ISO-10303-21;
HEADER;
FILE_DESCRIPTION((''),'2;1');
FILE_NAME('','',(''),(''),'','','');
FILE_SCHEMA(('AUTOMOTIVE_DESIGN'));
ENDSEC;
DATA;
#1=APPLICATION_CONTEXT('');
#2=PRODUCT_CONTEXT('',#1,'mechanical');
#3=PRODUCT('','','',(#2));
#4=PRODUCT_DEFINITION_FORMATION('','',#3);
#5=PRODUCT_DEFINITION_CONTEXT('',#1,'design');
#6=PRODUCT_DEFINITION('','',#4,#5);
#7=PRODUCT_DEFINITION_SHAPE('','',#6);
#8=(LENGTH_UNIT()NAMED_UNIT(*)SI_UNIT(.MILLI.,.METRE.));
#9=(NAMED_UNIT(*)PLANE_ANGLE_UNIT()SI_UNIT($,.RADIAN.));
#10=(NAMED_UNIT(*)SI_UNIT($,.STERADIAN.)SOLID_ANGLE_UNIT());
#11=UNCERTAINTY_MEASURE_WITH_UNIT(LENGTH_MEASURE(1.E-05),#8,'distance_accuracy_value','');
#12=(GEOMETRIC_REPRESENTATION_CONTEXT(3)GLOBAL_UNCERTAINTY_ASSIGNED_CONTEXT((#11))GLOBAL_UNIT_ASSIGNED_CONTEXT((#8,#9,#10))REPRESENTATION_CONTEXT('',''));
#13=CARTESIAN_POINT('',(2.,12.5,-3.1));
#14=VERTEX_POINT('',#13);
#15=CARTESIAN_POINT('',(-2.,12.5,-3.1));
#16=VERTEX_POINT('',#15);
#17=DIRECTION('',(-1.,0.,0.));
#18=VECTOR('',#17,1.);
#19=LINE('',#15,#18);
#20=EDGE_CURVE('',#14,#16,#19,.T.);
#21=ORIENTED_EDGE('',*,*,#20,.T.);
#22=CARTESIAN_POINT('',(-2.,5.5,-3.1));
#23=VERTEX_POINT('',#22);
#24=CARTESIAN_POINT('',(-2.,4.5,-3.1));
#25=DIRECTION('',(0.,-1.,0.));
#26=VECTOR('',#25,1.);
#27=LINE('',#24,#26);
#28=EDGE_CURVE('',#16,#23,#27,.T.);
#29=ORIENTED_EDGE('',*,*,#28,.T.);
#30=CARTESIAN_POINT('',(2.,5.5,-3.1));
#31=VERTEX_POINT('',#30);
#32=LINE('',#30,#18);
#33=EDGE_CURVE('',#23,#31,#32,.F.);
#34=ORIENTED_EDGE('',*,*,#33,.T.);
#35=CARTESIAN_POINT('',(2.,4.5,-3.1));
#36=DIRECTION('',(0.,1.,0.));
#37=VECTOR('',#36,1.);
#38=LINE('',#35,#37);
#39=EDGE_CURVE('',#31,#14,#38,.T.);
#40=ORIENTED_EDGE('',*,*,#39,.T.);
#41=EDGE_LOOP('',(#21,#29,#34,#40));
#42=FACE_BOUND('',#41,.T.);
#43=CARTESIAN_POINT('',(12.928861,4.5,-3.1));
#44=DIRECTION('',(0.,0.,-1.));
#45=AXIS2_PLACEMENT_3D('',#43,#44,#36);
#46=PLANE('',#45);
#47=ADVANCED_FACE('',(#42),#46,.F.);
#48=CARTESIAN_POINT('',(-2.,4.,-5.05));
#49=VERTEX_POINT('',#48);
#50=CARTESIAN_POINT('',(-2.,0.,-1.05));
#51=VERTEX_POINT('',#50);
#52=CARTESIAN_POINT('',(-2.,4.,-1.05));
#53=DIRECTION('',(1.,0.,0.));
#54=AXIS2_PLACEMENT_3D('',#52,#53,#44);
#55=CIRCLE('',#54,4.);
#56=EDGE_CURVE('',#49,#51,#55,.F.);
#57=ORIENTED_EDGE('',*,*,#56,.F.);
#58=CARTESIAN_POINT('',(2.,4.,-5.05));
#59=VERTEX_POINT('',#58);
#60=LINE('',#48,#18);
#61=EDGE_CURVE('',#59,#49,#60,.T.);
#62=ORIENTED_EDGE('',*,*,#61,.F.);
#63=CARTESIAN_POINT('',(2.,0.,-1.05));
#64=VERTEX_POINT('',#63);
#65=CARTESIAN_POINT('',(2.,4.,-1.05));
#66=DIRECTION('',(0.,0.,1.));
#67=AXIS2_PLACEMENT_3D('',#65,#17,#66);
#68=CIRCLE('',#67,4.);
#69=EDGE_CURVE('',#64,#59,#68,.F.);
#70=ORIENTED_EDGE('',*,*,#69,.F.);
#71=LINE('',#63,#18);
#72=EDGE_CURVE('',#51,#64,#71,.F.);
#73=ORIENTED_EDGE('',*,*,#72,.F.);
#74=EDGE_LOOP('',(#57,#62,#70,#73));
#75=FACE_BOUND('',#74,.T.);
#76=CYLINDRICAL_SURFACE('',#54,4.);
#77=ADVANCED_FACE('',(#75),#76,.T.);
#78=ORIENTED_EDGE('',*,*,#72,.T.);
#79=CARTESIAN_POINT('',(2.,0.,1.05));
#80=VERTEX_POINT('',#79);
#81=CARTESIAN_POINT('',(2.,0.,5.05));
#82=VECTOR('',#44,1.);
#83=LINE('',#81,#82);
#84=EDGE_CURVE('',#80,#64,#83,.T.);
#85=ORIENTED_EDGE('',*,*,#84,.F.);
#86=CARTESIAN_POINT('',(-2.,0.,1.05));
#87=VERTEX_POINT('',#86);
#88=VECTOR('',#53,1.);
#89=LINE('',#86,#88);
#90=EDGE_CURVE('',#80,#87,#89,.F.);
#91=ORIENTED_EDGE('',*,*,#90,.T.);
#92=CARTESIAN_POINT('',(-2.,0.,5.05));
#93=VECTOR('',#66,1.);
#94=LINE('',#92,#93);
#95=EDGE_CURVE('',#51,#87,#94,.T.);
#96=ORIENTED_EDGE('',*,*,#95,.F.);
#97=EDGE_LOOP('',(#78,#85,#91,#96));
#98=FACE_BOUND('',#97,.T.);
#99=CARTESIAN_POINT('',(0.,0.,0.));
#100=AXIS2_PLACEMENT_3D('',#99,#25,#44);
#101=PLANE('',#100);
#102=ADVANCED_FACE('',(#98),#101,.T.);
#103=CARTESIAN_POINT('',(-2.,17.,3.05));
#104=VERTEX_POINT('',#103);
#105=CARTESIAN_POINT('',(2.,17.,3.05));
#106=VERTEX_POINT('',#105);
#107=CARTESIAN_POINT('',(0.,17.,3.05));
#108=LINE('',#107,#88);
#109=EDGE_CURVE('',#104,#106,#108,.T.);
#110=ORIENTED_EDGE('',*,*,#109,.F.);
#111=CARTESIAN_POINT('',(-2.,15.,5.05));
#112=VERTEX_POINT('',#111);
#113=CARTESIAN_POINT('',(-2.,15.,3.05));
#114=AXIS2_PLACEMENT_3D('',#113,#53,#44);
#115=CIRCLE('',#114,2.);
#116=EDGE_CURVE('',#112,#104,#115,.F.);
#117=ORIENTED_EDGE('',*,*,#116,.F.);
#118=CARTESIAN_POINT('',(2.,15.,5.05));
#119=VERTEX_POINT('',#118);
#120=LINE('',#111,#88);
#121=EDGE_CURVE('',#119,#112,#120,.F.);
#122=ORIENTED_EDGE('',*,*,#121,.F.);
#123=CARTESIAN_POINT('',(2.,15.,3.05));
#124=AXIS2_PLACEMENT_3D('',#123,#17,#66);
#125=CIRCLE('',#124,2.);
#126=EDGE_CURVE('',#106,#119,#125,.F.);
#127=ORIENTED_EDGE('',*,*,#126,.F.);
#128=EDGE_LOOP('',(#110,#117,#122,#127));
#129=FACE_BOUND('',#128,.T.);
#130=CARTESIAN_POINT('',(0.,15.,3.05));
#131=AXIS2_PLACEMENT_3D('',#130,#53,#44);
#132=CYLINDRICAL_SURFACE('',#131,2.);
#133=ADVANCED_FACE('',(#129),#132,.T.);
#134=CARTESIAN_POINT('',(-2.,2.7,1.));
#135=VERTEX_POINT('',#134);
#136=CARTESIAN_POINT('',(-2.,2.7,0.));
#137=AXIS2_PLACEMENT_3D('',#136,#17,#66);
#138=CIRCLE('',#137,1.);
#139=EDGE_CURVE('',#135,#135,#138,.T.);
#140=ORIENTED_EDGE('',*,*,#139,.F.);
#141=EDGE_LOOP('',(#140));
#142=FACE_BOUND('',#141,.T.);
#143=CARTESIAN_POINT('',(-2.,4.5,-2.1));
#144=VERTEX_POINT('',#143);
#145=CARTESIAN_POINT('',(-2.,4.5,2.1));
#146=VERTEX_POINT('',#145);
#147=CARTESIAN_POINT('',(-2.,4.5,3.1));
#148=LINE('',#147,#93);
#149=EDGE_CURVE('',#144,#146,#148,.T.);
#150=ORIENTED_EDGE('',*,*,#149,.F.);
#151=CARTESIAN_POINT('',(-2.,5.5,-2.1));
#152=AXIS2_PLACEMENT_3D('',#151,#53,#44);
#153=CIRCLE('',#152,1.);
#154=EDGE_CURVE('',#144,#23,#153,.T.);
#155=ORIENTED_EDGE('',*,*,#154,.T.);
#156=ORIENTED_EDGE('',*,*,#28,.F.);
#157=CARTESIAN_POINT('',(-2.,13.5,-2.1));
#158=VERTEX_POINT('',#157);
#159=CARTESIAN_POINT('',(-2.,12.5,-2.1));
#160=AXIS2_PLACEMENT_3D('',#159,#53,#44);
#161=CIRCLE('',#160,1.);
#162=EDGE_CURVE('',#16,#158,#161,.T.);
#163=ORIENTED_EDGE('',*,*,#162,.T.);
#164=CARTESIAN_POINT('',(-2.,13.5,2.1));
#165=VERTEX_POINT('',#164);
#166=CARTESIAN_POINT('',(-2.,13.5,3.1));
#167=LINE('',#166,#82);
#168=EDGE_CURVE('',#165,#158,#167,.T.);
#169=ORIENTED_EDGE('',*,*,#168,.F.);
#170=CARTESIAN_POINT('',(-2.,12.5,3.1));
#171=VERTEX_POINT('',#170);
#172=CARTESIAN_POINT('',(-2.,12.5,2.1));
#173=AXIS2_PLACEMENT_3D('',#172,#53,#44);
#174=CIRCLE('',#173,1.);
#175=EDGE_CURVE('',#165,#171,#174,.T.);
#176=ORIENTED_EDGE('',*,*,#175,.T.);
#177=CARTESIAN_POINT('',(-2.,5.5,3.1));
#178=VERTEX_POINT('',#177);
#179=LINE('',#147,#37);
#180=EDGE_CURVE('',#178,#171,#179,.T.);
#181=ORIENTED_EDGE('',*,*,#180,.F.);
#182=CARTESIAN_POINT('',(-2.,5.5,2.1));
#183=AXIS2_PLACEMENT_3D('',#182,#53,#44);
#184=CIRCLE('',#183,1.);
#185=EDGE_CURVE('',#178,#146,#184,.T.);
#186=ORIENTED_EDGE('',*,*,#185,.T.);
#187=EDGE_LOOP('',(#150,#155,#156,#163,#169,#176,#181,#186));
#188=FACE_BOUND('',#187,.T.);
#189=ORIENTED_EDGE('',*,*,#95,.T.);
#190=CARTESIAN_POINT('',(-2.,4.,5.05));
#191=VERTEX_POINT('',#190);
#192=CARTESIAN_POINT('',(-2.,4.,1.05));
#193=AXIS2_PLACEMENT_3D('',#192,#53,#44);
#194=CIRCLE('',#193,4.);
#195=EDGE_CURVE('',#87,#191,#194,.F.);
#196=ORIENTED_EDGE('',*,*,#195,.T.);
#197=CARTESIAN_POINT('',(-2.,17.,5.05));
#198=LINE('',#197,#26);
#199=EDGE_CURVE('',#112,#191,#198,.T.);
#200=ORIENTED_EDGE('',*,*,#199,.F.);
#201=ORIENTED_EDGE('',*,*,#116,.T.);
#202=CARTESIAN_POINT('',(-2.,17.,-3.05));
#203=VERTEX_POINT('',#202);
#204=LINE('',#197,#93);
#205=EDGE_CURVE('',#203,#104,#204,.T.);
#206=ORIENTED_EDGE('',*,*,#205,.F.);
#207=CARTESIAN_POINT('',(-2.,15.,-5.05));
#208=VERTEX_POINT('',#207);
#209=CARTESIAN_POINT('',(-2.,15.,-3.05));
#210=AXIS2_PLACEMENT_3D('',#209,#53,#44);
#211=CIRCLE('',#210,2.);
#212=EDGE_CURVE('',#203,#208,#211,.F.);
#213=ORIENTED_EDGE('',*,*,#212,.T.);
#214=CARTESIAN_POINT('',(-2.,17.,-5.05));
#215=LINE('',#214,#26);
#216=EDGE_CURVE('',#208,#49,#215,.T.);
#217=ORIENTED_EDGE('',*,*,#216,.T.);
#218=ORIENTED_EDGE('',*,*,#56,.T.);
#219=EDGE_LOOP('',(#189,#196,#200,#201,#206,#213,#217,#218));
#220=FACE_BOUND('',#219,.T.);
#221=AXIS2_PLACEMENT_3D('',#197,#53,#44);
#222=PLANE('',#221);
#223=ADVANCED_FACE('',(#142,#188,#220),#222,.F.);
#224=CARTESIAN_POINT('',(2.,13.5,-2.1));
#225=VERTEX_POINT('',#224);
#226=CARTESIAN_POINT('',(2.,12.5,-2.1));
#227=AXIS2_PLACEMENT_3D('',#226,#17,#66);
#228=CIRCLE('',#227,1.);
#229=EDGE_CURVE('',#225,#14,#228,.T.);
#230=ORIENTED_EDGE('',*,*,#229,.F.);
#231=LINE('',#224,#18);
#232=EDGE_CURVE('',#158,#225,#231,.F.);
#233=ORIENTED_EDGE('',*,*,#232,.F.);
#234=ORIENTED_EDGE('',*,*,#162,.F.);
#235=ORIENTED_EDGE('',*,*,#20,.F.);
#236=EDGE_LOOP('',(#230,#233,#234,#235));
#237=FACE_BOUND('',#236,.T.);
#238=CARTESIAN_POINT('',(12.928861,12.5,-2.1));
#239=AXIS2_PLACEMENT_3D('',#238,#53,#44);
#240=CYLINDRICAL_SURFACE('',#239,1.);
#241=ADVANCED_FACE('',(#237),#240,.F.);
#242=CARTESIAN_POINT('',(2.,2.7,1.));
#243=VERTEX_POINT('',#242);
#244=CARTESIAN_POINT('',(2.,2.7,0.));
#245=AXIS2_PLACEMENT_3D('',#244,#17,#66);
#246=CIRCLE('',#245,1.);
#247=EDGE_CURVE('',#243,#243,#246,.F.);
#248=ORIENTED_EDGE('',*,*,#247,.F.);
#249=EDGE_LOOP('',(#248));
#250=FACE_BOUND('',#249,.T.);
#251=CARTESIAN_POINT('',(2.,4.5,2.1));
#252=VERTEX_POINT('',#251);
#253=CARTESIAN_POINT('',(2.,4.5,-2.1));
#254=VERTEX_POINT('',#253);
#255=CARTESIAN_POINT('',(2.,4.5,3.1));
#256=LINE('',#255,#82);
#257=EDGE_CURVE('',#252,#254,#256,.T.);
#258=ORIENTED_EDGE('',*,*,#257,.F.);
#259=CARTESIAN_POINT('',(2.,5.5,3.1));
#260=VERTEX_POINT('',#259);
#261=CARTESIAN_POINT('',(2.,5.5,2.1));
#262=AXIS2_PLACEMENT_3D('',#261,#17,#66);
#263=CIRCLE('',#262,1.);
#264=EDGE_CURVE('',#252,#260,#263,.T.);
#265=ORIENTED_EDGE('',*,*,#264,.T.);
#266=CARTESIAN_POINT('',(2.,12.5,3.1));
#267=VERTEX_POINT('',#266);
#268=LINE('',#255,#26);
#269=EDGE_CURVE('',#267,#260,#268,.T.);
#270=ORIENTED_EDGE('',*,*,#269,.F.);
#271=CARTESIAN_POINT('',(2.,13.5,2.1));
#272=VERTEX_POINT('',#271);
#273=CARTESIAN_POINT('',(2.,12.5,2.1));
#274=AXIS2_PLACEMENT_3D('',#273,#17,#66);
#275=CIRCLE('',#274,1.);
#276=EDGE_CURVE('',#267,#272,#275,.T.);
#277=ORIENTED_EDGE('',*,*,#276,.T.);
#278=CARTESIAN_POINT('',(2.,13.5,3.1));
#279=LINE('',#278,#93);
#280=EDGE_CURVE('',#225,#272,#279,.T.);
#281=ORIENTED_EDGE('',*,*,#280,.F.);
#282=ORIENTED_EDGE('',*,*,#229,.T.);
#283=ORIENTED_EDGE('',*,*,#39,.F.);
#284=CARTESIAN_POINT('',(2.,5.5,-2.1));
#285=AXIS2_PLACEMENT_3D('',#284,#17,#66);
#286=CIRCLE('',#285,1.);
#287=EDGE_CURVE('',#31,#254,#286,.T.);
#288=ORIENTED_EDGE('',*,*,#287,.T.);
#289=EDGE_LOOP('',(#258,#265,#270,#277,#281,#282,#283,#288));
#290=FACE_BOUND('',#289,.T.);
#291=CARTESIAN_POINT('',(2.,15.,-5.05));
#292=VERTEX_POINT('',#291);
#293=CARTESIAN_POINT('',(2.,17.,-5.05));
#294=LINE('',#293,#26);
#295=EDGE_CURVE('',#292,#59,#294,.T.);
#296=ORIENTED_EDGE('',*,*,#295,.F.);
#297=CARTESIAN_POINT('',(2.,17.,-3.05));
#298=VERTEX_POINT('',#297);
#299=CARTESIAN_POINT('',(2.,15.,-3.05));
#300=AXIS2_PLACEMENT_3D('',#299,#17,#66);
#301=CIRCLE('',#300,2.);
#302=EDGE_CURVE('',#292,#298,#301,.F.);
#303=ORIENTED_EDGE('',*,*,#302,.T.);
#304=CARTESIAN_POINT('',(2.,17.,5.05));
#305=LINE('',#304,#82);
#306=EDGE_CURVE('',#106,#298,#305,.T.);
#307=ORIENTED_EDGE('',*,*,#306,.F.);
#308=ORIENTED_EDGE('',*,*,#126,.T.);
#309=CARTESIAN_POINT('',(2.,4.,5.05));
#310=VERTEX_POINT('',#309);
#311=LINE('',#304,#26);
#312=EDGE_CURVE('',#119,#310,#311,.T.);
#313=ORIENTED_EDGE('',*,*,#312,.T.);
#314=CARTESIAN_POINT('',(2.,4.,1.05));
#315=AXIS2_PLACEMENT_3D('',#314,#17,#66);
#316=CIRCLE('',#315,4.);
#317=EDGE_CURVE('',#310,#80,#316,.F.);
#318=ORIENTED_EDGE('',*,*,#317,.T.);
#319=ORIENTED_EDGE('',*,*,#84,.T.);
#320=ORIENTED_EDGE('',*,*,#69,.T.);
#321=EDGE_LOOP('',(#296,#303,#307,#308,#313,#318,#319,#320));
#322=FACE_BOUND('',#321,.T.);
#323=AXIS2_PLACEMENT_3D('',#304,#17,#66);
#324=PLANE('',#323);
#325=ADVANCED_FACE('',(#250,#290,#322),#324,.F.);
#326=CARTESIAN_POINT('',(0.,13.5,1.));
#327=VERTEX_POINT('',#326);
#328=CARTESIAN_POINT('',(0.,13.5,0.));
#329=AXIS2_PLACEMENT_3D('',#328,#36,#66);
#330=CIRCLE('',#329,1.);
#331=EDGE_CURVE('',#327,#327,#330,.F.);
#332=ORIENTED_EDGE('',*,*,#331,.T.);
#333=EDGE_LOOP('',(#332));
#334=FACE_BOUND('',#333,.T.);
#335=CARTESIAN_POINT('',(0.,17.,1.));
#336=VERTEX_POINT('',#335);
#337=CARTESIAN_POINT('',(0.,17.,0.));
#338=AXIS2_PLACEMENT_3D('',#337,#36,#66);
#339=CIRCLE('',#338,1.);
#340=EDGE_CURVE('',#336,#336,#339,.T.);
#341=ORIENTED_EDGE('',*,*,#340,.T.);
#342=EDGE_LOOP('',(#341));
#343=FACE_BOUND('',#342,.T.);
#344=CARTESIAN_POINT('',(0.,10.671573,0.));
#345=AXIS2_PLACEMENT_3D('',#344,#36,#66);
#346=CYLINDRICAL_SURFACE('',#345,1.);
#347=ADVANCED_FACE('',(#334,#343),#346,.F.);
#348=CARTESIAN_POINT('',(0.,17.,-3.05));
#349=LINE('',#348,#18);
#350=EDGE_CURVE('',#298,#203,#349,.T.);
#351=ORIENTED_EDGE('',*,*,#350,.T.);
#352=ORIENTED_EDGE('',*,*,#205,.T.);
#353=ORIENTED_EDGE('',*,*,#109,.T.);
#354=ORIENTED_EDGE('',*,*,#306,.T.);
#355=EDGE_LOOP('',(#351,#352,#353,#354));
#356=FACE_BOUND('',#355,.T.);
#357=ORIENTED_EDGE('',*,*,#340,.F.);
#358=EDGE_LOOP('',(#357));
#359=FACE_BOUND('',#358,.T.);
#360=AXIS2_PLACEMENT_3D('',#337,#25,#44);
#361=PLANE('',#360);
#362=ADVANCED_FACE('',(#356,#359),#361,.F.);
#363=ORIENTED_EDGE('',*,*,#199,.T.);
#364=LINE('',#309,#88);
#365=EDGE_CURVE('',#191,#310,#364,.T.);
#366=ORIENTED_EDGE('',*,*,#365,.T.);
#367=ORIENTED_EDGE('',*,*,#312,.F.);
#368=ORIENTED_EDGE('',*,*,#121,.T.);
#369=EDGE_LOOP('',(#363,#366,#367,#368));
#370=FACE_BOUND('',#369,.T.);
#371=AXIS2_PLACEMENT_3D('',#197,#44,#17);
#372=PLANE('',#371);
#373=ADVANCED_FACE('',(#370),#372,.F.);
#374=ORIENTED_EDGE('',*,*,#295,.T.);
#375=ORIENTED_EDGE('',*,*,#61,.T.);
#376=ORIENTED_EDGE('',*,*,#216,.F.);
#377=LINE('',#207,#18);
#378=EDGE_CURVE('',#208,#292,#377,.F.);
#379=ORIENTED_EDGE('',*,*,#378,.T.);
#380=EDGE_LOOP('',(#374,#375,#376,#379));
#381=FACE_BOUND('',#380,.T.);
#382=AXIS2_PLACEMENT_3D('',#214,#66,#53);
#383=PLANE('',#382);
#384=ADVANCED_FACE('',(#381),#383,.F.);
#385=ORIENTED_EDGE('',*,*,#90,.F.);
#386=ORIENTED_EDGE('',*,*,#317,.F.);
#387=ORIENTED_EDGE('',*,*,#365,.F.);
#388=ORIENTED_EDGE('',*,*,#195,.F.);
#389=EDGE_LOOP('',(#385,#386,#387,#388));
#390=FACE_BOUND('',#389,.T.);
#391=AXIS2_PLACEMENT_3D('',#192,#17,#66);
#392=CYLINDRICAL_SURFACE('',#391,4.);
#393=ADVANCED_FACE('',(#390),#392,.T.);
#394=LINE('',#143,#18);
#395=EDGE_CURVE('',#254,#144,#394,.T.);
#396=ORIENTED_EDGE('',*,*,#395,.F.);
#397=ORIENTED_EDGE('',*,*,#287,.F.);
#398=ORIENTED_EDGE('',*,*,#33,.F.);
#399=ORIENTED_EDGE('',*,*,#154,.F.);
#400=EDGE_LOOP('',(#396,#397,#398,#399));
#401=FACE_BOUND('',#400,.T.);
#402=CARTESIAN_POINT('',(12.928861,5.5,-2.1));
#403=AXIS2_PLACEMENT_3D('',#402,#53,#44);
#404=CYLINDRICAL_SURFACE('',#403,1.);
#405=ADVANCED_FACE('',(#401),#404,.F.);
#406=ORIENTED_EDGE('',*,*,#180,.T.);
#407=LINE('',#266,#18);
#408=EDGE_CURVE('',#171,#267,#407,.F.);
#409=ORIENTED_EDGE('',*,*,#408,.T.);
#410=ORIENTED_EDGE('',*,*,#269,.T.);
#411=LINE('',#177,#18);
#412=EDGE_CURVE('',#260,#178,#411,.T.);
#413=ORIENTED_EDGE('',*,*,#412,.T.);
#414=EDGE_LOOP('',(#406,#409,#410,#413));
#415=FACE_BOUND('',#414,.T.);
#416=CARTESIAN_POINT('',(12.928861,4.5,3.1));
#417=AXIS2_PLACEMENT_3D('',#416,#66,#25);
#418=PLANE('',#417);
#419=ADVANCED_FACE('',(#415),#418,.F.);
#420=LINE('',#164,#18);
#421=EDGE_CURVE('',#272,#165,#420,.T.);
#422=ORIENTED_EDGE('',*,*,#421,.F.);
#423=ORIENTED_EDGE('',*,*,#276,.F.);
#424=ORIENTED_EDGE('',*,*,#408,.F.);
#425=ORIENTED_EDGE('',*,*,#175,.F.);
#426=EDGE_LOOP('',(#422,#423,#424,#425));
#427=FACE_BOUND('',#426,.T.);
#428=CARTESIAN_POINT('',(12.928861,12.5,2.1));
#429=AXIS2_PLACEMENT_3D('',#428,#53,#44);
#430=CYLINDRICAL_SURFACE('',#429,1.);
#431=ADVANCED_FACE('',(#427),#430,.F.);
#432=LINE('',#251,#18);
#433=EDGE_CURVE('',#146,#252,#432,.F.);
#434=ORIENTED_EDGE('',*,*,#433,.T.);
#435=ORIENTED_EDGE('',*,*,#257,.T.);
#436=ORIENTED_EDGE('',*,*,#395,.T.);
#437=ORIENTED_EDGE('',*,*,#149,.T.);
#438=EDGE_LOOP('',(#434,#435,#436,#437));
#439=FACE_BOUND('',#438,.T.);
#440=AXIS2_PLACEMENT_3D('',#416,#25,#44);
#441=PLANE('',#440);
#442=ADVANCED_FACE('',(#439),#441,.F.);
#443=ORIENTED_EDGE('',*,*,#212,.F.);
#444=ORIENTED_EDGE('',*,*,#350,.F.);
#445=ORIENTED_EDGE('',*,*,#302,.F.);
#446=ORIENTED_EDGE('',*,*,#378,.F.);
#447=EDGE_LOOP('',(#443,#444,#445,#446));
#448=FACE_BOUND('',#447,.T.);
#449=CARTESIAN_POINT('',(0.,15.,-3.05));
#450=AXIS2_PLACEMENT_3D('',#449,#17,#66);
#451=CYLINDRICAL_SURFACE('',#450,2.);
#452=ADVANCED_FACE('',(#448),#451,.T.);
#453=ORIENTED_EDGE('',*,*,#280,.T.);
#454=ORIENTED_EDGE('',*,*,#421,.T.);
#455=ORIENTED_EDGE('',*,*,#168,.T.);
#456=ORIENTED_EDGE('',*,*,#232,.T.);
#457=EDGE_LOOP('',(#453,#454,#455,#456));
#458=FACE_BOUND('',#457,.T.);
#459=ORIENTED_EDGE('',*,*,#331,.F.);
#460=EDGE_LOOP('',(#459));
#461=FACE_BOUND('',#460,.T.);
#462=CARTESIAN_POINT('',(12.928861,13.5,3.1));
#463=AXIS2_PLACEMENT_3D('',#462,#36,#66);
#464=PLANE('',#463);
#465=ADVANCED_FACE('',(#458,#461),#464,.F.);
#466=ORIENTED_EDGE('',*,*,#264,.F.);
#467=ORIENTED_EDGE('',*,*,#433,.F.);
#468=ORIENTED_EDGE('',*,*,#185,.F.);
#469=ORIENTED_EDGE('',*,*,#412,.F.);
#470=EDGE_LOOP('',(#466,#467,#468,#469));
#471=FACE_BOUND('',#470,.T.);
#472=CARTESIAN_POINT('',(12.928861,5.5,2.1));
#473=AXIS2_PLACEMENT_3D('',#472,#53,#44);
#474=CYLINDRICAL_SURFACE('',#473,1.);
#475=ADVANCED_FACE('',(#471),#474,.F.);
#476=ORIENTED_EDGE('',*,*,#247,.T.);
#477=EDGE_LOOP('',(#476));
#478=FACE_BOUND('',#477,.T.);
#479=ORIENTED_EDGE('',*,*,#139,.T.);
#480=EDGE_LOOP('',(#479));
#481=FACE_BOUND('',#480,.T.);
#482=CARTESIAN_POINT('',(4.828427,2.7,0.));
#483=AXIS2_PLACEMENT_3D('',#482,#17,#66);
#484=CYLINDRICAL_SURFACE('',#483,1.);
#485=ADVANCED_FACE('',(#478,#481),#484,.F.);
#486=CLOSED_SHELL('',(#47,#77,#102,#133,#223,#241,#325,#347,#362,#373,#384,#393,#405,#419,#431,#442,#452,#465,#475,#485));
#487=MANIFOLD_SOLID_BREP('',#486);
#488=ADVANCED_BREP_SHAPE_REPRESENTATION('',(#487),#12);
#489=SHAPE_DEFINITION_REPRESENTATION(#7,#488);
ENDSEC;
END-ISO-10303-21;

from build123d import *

# Parameters (mm, degrees)
SKETCH21_W          = 4
SKETCH21_H          = 10.1
BOSS_EXTRUDE1_DEPTH = 17
SKETCH22_R          = 1
CUT_EXTRUDE4_DEPTH  = 4
SKETCH23_W          = 6.2
SKETCH23_H          = 9
CUT_EXTRUDE5_DEPTH  = 4
SKETCH24_R          = 1
CUT_EXTRUDE6_DEPTH  = 3.5
FILLET4_R           = 4
FILLET5_R           = 2
FILLET6_R           = 1


with BuildPart() as part:
    # Sketch21 → Boss-Extrude1 (new body)
    with BuildSketch(Plane(origin=(0, 0, 0), x_dir=(1, 0, 0), z_dir=(0, 1, 0))):
        Rectangle(SKETCH21_W, SKETCH21_H)
    extrude(amount=BOSS_EXTRUDE1_DEPTH)

    # Sketch22 → Cut-Extrude4 (cut)
    with BuildSketch(Plane.ZY.offset(2)):
        with Locations((0, 2.7)):
            Circle(SKETCH22_R)
    extrude(amount=-CUT_EXTRUDE4_DEPTH, mode=Mode.SUBTRACT)

    # Sketch23 → Cut-Extrude5 (cut)
    with BuildSketch(Plane.ZY.offset(2)):
        with Locations((0, 9)):
            Rectangle(SKETCH23_W, SKETCH23_H)
    extrude(amount=-CUT_EXTRUDE5_DEPTH, mode=Mode.SUBTRACT)

    # Sketch24 → Cut-Extrude6 (cut)
    with BuildSketch(Plane(origin=(0, 17, 0), x_dir=(1, 0, 0), z_dir=(0, 1, 0))):
        with Locations(Location((0, 0, 0), (0, 0, 270))):
            Circle(SKETCH24_R)
    extrude(amount=-CUT_EXTRUDE6_DEPTH, mode=Mode.SUBTRACT)

    # Fillet4
    fillet4_edges = [part.edges().sort_by_distance(p)[0] for p in [
        (0, 0, 5.05),
        (0, 0, -5.05),
    ]]
    fillet(fillet4_edges, radius=FILLET4_R)

    # Fillet5
    fillet5_edges = [part.edges().sort_by_distance(p)[0] for p in [
        (0, 17, 5.05),
        (0, 17, -5.05),
    ]]
    fillet(fillet5_edges, radius=FILLET5_R)

    # Fillet6
    fillet6_edges = [part.edges().sort_by_distance(p)[0] for p in [
        (0, 13.5, 3.1),
        (0, 4.5, 3.1),
        (0, 4.5, -3.1),
        (0, 13.5, -3.1),
    ]]
    fillet(fillet6_edges, radius=FILLET6_R)


solid = part.part
